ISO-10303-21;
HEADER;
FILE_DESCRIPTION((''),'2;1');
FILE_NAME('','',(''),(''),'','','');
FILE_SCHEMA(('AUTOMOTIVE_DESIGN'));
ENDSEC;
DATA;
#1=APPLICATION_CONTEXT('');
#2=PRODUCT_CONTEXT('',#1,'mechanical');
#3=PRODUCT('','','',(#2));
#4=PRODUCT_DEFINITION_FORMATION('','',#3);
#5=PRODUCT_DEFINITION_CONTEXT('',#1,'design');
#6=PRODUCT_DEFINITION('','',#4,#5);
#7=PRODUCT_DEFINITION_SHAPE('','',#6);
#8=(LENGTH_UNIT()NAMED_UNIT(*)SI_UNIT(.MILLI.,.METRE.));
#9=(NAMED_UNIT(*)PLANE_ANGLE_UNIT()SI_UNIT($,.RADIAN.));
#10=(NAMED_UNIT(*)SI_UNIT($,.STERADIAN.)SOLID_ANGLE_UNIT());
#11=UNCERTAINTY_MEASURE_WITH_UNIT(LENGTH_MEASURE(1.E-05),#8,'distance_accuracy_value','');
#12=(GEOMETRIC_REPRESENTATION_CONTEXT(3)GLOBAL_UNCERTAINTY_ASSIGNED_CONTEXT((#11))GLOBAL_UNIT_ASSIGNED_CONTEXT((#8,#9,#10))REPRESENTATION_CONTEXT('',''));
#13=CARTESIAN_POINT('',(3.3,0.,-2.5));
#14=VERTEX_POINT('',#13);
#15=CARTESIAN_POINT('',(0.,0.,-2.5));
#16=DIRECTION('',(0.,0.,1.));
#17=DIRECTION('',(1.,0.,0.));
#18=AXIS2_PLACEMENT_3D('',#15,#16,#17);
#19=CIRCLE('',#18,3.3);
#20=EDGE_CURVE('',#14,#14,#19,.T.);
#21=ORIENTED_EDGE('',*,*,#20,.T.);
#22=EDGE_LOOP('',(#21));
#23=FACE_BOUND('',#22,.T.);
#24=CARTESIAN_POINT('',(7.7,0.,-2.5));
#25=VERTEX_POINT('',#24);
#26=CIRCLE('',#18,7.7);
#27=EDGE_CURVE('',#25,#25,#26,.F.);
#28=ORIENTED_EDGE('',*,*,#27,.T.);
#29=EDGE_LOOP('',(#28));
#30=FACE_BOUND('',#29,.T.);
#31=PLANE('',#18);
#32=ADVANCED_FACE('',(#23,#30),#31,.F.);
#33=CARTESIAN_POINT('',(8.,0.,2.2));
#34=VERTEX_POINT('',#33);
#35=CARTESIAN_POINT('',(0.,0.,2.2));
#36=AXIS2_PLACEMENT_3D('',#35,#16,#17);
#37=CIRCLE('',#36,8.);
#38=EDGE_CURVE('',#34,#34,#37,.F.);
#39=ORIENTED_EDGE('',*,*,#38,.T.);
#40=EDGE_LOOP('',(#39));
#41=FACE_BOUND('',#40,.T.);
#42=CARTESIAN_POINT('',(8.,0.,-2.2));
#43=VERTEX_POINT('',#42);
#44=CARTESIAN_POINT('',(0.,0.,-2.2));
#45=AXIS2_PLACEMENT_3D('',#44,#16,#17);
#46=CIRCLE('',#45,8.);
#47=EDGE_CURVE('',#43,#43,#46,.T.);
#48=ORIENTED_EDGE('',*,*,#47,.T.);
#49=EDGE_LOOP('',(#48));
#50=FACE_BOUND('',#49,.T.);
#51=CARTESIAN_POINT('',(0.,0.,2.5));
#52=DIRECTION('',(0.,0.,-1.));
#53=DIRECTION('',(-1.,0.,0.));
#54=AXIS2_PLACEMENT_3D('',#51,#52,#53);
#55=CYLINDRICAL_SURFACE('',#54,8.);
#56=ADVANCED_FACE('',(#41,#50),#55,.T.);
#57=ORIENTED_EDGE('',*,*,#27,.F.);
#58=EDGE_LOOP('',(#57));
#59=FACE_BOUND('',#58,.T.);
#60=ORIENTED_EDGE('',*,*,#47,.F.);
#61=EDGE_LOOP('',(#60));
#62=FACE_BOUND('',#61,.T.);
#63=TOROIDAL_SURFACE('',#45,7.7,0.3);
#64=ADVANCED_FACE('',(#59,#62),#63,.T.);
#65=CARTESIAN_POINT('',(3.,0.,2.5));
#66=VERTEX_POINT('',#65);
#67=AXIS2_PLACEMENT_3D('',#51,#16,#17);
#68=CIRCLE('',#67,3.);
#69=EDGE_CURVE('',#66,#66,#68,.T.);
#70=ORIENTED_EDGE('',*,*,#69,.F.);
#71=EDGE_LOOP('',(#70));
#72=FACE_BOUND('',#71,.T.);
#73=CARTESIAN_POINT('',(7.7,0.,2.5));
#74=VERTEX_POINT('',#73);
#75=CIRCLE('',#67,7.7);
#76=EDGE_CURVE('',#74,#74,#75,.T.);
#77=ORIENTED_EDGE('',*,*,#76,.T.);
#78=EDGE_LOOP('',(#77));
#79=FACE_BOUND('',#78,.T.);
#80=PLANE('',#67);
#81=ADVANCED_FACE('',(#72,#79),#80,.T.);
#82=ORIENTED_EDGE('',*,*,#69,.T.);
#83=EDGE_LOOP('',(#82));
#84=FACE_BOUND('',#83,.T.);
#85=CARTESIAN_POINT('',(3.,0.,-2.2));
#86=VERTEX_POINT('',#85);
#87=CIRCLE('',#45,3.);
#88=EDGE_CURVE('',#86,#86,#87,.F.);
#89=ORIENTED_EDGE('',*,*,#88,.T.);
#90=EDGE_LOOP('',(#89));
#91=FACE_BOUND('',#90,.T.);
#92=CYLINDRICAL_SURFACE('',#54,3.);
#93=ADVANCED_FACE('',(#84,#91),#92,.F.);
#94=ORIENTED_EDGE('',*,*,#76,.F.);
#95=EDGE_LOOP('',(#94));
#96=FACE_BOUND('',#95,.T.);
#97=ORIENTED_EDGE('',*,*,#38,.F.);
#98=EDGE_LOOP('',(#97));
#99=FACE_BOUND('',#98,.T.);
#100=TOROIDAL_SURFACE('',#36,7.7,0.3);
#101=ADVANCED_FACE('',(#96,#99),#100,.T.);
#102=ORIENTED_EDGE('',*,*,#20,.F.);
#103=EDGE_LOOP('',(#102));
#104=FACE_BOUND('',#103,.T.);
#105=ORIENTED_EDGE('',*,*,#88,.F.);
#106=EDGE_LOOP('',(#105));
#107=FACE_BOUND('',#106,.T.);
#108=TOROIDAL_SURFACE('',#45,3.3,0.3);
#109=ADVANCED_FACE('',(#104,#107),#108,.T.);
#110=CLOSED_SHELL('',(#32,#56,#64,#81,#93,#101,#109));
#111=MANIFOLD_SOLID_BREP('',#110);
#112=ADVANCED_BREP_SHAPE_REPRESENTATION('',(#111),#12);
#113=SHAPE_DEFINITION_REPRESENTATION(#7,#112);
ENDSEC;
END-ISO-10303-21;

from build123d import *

# Parameters (mm, degrees)
SKETCH1_R           = 8
SKETCH1_R_2         = 3
BOSS_EXTRUDE1_DEPTH = 2.5
FILLET2_R           = 0.3


with BuildPart() as part:
    # Sketch1 → Boss-Extrude1 (new, symmetric)
    with BuildSketch(Plane.XY):
        Circle(SKETCH1_R)
        Circle(SKETCH1_R_2, mode=Mode.SUBTRACT)
    extrude(amount=BOSS_EXTRUDE1_DEPTH, both=True)

    # Fillet2
    fillet2_edges = [part.edges().sort_by_distance(p)[0] for p in [
        (-8, 0, -2.5),
        (-8, 0, 2.5),
        (-3, 0, -2.5),
    ]]
    fillet(fillet2_edges, radius=FILLET2_R)


solid = part.part
